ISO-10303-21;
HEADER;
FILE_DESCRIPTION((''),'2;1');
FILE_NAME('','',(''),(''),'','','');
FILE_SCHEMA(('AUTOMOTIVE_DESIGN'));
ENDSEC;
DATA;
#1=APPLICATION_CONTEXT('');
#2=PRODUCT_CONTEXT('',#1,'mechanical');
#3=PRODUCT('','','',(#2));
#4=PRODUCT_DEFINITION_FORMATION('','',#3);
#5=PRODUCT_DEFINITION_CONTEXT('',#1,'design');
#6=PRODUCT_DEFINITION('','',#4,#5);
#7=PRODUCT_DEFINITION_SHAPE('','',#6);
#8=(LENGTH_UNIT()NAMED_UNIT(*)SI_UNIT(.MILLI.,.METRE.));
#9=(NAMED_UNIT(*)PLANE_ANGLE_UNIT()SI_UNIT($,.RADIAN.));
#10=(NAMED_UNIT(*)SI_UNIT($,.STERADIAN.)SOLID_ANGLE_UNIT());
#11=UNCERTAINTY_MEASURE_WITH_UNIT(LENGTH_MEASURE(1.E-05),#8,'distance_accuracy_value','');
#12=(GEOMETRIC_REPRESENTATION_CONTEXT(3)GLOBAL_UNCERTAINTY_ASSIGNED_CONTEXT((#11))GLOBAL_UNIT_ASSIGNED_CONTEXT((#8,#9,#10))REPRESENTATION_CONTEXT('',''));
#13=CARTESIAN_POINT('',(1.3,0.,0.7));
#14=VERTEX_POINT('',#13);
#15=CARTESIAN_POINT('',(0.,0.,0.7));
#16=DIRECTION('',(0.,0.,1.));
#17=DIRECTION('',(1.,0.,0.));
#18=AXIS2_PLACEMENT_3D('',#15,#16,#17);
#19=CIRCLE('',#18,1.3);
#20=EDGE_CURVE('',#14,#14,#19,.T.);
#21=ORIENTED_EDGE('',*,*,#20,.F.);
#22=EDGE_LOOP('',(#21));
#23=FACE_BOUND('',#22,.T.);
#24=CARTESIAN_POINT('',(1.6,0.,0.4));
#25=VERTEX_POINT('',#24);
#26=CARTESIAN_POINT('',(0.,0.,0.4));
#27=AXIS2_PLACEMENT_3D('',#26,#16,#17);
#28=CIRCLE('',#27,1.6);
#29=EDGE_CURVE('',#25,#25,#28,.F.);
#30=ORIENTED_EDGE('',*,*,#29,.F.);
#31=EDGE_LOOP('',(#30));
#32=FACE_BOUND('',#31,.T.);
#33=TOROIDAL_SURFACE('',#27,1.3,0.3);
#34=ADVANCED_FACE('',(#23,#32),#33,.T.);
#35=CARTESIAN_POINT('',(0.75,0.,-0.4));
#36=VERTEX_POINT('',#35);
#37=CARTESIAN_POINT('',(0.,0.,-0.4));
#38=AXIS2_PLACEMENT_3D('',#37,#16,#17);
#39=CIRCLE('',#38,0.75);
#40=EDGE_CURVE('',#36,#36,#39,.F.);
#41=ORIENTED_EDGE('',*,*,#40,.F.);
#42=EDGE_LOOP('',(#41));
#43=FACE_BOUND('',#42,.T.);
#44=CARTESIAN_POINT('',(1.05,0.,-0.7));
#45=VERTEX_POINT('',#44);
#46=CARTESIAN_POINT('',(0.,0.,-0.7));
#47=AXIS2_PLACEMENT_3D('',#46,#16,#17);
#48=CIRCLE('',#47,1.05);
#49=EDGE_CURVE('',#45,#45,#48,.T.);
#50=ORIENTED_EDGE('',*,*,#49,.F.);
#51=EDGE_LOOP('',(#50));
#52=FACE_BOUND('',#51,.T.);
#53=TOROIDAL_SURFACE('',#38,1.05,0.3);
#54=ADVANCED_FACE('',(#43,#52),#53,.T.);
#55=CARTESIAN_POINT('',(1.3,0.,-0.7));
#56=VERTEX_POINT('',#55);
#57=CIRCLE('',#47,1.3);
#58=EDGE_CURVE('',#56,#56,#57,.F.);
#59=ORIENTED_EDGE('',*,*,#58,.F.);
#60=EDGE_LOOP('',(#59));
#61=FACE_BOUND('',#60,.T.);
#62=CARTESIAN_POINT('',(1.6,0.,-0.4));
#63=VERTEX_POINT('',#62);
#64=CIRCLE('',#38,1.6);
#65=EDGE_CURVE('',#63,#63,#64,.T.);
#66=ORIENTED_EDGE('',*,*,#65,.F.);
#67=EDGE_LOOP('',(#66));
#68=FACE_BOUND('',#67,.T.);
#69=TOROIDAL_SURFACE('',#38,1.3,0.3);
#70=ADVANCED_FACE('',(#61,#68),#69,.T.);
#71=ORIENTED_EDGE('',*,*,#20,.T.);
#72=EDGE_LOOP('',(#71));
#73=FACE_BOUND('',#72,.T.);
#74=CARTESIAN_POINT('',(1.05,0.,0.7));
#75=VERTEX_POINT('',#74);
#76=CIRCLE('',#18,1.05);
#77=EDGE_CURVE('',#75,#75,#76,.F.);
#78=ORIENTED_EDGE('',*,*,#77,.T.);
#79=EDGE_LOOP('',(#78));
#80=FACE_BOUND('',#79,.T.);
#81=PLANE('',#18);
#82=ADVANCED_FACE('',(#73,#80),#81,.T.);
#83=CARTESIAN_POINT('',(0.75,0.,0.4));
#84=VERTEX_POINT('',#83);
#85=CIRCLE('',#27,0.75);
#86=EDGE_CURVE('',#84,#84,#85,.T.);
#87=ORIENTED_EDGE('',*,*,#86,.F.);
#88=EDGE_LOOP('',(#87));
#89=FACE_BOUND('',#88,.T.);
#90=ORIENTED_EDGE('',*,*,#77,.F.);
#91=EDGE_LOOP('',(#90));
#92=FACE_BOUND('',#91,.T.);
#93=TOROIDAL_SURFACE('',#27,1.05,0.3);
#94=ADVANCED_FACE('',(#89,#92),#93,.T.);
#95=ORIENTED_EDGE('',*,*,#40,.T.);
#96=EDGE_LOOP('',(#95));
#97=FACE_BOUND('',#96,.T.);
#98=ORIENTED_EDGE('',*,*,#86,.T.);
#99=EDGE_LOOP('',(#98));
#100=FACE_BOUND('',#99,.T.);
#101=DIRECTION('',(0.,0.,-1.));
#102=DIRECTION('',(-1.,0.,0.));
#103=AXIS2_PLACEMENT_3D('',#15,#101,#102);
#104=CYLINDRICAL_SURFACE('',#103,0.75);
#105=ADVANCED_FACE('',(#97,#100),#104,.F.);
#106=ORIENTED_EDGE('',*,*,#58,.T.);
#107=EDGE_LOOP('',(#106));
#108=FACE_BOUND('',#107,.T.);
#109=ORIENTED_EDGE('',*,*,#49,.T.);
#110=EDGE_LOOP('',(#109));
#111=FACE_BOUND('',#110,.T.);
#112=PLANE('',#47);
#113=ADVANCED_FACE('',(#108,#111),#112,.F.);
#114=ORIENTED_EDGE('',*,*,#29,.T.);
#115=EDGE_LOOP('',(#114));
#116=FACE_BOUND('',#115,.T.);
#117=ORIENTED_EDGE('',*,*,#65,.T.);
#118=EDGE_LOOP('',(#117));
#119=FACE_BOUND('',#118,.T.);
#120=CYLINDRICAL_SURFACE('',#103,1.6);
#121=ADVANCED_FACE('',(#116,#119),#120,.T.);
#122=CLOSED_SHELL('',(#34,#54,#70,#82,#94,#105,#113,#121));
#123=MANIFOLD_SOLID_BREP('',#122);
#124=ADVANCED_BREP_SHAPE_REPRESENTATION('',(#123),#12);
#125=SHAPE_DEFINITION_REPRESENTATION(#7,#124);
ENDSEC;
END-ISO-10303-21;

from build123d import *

# Parameters (mm, degrees)
SKETCH1_R           = 1.6
SKETCH1_R_2         = 0.75
BOSS_EXTRUDE1_DEPTH = 0.7
FILLET2_R           = 0.3


with BuildPart() as part:
    # Sketch1 → Boss-Extrude1 (new body, symmetric)
    with BuildSketch(Plane.XY):
        Circle(SKETCH1_R)
        Circle(SKETCH1_R_2, mode=Mode.SUBTRACT)
    extrude(amount=BOSS_EXTRUDE1_DEPTH, both=True)

    # Fillet2
    fillet2_edges = [part.edges().sort_by_distance(p)[0] for p in [
        (-1.6, 0, -0.7),
        (-1.6, 0, 0.7),
        (-0.75, 0, -0.7),
        (-0.75, 0, 0.7),
    ]]
    fillet(fillet2_edges, radius=FILLET2_R)


solid = part.part
